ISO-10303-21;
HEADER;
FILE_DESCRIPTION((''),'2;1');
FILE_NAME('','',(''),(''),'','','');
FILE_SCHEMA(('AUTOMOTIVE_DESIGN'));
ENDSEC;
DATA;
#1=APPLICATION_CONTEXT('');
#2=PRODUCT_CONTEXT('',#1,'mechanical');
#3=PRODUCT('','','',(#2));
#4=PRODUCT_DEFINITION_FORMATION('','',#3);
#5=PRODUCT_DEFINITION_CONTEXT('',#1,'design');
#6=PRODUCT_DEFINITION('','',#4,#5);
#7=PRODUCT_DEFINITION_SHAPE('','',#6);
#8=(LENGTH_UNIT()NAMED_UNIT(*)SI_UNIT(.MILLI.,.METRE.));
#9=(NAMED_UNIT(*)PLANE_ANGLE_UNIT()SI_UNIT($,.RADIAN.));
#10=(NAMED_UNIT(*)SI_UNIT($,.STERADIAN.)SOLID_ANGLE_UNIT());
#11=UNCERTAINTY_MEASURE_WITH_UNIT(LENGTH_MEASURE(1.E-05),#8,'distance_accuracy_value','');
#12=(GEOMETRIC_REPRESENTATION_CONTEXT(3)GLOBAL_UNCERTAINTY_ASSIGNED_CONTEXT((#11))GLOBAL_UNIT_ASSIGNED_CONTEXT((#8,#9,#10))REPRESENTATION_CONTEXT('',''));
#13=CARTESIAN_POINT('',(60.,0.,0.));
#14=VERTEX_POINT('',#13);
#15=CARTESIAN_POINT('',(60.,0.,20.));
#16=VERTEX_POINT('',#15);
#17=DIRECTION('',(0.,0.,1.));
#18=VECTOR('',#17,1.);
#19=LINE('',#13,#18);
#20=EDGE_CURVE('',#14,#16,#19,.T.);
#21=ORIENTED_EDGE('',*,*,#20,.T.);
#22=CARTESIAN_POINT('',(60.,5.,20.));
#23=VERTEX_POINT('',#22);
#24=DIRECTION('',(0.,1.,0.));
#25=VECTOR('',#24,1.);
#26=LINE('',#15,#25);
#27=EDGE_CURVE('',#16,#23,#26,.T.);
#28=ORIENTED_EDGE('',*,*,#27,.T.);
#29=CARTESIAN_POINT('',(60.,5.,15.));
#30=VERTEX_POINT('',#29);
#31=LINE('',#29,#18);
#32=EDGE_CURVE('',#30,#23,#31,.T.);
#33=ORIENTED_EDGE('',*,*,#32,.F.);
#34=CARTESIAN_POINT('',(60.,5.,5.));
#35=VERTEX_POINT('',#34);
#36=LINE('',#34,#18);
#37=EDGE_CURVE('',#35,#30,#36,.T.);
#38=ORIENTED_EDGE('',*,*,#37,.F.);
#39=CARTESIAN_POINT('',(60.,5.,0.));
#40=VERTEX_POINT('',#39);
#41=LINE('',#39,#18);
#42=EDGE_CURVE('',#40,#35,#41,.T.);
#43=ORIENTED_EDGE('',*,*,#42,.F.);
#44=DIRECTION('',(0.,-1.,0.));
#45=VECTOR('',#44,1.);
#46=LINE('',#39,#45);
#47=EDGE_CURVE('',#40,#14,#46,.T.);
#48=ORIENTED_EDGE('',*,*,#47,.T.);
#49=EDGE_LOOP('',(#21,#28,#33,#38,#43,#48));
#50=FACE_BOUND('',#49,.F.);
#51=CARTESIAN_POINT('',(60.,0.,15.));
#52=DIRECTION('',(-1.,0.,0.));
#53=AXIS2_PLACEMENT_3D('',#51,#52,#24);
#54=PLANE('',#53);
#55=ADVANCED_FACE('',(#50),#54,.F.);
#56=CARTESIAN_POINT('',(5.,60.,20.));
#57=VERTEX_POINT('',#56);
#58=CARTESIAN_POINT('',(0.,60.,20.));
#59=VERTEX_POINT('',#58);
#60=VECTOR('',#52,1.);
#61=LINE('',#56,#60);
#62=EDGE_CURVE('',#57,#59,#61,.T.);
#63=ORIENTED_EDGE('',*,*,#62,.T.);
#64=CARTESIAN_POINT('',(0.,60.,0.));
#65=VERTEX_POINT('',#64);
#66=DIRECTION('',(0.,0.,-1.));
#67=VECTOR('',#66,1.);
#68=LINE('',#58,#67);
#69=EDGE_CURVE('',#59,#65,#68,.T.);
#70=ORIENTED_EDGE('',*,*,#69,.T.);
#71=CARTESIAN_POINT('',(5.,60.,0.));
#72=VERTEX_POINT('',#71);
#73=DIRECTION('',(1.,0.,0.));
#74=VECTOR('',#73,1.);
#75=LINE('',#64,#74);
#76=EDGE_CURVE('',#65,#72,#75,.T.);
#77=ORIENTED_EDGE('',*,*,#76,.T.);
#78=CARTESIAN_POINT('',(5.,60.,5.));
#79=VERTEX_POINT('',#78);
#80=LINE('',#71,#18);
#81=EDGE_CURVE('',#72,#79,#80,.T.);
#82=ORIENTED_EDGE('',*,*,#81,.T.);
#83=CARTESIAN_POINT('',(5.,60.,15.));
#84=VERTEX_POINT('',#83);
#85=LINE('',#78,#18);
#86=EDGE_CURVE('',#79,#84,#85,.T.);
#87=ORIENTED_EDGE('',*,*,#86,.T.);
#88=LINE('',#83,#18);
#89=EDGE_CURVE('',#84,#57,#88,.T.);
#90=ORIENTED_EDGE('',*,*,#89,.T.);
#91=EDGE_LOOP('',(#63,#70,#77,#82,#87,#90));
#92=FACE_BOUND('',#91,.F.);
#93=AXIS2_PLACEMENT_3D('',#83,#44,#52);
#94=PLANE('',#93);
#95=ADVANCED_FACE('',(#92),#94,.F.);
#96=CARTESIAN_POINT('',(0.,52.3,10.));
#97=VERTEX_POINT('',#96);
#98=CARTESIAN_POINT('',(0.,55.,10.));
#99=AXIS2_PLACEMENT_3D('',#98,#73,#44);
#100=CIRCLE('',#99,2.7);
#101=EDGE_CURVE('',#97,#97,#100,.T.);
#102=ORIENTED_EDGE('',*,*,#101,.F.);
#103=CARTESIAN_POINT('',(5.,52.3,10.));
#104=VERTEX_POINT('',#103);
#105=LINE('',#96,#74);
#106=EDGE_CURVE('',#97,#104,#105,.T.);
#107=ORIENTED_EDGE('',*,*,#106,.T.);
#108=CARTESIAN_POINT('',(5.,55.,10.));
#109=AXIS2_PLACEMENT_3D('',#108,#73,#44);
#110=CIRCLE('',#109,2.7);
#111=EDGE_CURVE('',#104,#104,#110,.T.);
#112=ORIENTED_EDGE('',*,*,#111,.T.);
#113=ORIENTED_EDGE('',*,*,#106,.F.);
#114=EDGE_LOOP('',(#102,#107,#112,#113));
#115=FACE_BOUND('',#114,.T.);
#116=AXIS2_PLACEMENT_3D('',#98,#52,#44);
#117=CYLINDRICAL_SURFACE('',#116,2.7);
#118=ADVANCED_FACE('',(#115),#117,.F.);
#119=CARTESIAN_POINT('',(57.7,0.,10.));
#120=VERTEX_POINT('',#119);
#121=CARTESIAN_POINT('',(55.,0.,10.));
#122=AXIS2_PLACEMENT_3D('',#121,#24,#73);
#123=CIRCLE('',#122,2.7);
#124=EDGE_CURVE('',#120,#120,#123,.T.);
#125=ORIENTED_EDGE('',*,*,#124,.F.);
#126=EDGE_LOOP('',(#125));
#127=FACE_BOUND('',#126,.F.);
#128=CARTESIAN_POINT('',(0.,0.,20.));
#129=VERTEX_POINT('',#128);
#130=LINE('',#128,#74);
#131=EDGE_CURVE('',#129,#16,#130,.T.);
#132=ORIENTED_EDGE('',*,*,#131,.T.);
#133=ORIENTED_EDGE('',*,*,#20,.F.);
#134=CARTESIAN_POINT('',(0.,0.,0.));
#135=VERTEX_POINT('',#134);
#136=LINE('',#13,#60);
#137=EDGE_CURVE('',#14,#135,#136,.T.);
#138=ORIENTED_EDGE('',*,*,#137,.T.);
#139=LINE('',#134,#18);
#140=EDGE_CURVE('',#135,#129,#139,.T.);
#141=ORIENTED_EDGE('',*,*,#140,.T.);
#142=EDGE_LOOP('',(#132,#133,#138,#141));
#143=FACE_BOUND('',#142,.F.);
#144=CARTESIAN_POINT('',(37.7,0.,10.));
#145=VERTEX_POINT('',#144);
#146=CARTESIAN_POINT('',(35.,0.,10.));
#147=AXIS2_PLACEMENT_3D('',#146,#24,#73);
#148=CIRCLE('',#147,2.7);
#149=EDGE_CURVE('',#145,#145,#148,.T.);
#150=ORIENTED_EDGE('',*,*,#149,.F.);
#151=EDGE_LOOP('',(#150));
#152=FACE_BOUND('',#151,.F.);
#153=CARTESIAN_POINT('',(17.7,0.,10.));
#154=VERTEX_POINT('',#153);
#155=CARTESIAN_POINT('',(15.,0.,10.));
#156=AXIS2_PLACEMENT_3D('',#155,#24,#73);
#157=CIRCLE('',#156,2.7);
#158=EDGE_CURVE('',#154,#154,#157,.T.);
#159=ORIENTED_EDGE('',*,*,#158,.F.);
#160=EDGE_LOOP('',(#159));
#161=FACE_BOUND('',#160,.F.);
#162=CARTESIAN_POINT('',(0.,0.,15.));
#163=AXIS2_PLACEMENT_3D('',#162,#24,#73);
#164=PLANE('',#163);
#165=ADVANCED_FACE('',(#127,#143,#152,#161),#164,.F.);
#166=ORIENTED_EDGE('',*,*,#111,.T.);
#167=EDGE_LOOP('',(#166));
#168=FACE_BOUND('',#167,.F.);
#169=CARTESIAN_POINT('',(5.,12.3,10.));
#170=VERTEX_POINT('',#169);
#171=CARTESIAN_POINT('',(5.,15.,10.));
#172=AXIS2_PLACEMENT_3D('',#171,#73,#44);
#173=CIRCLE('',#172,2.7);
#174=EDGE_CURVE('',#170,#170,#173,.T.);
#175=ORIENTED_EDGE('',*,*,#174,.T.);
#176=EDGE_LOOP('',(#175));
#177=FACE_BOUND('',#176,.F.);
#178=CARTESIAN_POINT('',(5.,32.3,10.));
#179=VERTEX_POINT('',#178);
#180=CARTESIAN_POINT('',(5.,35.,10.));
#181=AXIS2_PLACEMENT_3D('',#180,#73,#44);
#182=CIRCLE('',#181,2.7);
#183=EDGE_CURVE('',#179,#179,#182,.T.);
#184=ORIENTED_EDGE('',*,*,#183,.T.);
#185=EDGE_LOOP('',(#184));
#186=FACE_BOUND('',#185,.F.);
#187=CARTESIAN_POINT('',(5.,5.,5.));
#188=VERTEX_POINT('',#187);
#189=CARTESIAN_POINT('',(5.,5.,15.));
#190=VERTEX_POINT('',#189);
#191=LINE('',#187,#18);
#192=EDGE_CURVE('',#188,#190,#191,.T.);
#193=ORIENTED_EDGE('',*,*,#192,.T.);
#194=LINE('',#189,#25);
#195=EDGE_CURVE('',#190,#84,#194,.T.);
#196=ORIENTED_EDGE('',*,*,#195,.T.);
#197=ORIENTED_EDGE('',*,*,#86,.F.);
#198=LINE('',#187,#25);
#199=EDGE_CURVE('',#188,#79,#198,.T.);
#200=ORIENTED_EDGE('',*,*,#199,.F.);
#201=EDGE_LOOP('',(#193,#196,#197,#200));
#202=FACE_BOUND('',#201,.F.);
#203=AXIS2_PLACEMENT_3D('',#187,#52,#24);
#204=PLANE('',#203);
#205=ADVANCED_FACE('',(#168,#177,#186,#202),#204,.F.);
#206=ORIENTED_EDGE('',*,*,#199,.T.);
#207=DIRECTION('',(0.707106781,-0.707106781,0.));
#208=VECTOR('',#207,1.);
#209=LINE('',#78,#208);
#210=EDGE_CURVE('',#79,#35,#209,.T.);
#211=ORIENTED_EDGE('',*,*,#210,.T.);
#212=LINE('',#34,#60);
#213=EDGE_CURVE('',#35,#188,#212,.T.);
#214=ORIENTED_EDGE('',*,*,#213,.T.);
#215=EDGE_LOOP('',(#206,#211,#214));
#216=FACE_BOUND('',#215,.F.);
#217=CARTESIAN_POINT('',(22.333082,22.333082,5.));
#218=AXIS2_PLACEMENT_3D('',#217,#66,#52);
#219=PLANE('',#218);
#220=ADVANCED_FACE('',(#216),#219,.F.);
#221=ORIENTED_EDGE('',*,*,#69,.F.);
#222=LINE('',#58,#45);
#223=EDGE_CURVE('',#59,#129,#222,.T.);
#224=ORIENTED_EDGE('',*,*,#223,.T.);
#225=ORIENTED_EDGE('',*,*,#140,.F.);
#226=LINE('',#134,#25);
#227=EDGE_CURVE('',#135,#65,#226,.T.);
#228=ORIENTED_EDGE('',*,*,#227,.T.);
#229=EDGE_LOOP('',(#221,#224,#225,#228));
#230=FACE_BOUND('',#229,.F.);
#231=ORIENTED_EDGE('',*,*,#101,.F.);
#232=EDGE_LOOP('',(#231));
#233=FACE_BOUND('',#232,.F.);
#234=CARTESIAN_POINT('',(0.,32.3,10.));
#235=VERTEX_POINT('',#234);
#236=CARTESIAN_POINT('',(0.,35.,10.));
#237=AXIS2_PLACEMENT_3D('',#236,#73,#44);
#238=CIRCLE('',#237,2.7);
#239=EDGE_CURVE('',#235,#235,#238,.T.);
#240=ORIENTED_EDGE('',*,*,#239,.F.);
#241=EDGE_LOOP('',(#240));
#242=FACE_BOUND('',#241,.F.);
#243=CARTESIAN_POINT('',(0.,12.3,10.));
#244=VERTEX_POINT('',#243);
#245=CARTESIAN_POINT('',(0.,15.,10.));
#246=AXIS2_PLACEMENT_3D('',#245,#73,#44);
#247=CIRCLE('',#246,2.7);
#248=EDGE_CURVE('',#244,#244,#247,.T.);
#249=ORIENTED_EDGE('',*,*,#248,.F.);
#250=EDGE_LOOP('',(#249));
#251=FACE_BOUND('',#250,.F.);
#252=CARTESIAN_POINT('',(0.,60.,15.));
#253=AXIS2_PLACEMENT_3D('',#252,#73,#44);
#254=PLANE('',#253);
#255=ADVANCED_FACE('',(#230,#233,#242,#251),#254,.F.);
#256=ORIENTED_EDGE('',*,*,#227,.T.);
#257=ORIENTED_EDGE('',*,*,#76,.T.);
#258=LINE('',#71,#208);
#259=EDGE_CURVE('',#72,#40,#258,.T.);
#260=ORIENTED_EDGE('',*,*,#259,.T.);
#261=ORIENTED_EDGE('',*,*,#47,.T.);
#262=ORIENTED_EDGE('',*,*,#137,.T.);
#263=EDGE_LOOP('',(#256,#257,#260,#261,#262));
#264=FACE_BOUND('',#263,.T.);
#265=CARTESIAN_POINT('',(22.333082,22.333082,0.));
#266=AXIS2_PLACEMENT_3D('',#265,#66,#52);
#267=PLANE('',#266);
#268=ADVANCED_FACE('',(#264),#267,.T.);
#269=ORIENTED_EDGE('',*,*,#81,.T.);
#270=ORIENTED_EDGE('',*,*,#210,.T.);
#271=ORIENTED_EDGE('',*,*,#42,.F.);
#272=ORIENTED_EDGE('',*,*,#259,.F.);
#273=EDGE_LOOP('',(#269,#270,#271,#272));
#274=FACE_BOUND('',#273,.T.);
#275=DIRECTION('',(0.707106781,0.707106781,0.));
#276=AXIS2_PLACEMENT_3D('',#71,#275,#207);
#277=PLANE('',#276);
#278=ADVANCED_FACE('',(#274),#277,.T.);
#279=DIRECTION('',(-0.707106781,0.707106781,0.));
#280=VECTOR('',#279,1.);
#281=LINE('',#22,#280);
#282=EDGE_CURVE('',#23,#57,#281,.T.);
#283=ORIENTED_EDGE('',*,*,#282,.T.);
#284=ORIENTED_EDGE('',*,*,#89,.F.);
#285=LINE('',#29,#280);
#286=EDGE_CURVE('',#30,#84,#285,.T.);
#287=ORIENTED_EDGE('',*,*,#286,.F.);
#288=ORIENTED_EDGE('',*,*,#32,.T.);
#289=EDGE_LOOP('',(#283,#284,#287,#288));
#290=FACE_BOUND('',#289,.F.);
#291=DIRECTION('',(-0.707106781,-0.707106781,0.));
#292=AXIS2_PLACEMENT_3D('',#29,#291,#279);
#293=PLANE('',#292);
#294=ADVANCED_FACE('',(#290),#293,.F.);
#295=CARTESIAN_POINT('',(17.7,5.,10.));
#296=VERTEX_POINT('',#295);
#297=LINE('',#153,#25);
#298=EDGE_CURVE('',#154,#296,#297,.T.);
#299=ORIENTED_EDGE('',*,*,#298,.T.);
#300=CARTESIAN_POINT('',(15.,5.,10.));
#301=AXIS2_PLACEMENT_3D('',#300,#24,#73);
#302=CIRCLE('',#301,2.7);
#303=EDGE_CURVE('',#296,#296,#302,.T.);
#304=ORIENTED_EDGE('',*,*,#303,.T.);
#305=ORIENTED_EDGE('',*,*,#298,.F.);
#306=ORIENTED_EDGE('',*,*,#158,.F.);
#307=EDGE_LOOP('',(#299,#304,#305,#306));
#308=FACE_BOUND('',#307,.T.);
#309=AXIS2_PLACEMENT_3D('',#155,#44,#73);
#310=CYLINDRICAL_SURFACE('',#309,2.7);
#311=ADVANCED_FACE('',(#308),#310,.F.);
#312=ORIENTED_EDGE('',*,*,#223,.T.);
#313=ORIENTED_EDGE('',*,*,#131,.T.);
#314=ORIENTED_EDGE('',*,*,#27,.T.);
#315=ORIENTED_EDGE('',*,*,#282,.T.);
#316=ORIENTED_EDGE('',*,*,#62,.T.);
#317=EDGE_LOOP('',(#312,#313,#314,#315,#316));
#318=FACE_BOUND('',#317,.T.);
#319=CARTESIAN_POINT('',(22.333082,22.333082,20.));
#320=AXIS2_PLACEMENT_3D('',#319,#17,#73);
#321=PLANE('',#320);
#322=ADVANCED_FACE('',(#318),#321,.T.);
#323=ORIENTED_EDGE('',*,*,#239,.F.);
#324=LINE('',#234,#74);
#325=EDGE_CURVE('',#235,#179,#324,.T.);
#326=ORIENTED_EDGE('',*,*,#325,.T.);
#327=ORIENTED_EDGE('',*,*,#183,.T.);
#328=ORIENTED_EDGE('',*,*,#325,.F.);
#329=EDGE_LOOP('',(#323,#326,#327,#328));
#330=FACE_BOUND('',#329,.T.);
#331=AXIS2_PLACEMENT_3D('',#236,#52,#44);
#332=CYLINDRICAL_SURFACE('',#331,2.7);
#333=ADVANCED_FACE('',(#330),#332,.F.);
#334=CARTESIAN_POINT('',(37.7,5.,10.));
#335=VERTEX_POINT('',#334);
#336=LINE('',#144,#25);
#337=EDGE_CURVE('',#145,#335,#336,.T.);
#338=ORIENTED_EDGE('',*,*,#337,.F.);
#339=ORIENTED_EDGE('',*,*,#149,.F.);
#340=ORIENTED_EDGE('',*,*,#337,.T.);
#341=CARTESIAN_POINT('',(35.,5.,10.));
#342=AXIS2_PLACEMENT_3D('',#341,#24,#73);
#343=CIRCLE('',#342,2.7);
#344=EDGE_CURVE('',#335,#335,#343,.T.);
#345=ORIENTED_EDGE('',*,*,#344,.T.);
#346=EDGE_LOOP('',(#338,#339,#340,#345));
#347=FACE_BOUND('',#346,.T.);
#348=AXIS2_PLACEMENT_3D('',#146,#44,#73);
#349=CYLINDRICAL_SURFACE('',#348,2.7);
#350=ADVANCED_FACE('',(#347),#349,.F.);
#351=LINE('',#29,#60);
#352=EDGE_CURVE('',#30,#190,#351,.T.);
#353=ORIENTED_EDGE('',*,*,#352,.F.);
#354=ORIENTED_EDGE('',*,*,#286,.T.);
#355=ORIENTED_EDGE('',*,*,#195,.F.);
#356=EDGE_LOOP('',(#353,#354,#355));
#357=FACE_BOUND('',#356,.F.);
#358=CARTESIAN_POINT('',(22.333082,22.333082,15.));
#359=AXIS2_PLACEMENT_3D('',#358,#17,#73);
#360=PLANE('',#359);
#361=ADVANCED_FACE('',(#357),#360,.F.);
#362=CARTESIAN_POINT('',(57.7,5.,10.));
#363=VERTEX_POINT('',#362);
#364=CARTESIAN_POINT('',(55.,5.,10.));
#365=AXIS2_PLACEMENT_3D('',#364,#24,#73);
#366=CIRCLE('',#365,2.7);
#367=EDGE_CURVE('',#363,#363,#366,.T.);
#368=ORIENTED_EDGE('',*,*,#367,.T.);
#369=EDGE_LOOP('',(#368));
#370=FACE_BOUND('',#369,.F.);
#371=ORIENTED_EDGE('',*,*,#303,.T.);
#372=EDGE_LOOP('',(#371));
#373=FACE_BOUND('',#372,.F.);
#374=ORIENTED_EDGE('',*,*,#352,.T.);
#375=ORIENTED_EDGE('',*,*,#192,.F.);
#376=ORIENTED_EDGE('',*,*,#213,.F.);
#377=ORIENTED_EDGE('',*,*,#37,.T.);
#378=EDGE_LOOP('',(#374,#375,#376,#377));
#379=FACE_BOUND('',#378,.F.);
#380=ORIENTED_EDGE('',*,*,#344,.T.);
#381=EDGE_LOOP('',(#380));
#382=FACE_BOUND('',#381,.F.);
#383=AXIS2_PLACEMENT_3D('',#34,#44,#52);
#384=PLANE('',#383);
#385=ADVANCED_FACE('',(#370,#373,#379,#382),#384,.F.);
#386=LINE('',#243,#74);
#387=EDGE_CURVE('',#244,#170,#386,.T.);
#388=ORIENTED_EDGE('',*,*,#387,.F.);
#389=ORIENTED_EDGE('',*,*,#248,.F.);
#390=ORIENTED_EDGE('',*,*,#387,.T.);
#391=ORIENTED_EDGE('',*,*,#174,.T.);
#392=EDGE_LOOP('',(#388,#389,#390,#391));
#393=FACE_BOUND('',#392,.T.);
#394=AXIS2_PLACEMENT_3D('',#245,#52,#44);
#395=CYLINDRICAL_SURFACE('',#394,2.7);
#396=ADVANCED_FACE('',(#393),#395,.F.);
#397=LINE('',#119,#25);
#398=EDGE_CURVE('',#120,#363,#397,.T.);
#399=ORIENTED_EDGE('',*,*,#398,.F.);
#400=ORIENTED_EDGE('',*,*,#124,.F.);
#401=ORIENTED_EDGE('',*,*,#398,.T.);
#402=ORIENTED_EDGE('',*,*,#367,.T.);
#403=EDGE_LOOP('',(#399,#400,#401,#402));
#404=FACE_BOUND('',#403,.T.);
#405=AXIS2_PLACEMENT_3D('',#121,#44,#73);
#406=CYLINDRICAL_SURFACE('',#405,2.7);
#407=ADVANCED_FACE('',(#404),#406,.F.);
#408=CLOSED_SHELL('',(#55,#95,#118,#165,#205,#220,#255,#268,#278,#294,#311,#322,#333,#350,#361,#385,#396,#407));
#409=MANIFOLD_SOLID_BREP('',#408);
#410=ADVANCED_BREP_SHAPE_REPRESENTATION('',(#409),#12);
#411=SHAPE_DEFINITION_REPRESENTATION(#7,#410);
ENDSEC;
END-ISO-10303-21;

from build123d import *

# Parameters (mm, degrees)
CYLINDER001_R     = 2.7
CYLINDER001_DEPTH = 5
CYLINDER002_R     = 2.7
CYLINDER002_DEPTH = 5
CYLINDER004_R     = 2.7
CYLINDER004_DEPTH = 5
CYLINDER003_R     = 2.7
CYLINDER003_DEPTH = 5
CYLINDER005_R     = 2.7
CYLINDER005_DEPTH = 5
CYLINDER_R        = 2.7
CYLINDER_DEPTH    = 5
PAD_DEPTH         = 5
PAD001_DEPTH      = 10
PAD002_DEPTH      = 5


with BuildPart() as cylinder001:
    # Cylinder001 → Cylinder001 (new body)
    with BuildSketch(Plane(origin=(55, 0, 10), x_dir=(1, 0, 0), z_dir=(0, 1, 0))):
        Circle(CYLINDER001_R)
    extrude(amount=CYLINDER001_DEPTH)


with BuildPart() as cylinder002:
    # Cylinder002 → Cylinder002 (new body)
    with BuildSketch(Plane(origin=(0, 15, 10), x_dir=(0, -1, 0), z_dir=(1, 0, 0))):
        Circle(CYLINDER002_R)
    extrude(amount=CYLINDER002_DEPTH)


with BuildPart() as cylinder004:
    # Cylinder004 → Cylinder004 (new body)
    with BuildSketch(Plane(origin=(35, 0, 10), x_dir=(1, 0, 0), z_dir=(0, 1, 0))):
        Circle(CYLINDER004_R)
    extrude(amount=CYLINDER004_DEPTH)


with BuildPart() as cylinder003:
    # Cylinder003 → Cylinder003 (new body)
    with BuildSketch(Plane(origin=(0, 55, 10), x_dir=(0, -1, 0), z_dir=(1, 0, 0))):
        Circle(CYLINDER003_R)
    extrude(amount=CYLINDER003_DEPTH)


with BuildPart() as cylinder005:
    # Cylinder005 → Cylinder005 (new body)
    with BuildSketch(Plane(origin=(0, 35, 10), x_dir=(0, -1, 0), z_dir=(1, 0, 0))):
        Circle(CYLINDER005_R)
    extrude(amount=CYLINDER005_DEPTH)


with BuildPart() as compound:
    # Cylinder → Cylinder (new body)
    with BuildSketch(Plane(origin=(15, 0, 10), x_dir=(1, 0, 0), z_dir=(0, 1, 0))):
        Circle(CYLINDER_R)
    extrude(amount=CYLINDER_DEPTH)

    # Compound: union Cylinder001, Cylinder002, Cylinder004, Cylinder003, Cylinder005
    add(cylinder001.part)
    add(cylinder002.part)
    add(cylinder004.part)
    add(cylinder003.part)
    add(cylinder005.part)


with BuildPart() as f_60mm_bracket:
    # Sketch → Pad (new body)
    with BuildSketch(Plane.XY):
        Polygon((0, 0), (0, 60), (5, 60), (60, 5), (60, 0), align=None)
    extrude(amount=PAD_DEPTH)

    # Sketch001 (on Face7 of Pad) → Pad001 (join)
    with BuildSketch(Plane.XY.offset(5)):
        Polygon((0, 60), (0, 0), (60, 0), (60, 5), (5, 5), (5, 60), align=None)
    extrude(amount=PAD001_DEPTH)

    # Sketch002 (on Face10 of Pad001) → Pad002 (join)
    with BuildSketch(Plane.XY.offset(15)):
        Polygon((0, 60), (0, 0), (60, 0), (60, 5), (5, 60), align=None)
    extrude(amount=PAD002_DEPTH)

    # Cut: cut Compound
    add(compound.part, mode=Mode.SUBTRACT)


solid = f_60mm_bracket.part
